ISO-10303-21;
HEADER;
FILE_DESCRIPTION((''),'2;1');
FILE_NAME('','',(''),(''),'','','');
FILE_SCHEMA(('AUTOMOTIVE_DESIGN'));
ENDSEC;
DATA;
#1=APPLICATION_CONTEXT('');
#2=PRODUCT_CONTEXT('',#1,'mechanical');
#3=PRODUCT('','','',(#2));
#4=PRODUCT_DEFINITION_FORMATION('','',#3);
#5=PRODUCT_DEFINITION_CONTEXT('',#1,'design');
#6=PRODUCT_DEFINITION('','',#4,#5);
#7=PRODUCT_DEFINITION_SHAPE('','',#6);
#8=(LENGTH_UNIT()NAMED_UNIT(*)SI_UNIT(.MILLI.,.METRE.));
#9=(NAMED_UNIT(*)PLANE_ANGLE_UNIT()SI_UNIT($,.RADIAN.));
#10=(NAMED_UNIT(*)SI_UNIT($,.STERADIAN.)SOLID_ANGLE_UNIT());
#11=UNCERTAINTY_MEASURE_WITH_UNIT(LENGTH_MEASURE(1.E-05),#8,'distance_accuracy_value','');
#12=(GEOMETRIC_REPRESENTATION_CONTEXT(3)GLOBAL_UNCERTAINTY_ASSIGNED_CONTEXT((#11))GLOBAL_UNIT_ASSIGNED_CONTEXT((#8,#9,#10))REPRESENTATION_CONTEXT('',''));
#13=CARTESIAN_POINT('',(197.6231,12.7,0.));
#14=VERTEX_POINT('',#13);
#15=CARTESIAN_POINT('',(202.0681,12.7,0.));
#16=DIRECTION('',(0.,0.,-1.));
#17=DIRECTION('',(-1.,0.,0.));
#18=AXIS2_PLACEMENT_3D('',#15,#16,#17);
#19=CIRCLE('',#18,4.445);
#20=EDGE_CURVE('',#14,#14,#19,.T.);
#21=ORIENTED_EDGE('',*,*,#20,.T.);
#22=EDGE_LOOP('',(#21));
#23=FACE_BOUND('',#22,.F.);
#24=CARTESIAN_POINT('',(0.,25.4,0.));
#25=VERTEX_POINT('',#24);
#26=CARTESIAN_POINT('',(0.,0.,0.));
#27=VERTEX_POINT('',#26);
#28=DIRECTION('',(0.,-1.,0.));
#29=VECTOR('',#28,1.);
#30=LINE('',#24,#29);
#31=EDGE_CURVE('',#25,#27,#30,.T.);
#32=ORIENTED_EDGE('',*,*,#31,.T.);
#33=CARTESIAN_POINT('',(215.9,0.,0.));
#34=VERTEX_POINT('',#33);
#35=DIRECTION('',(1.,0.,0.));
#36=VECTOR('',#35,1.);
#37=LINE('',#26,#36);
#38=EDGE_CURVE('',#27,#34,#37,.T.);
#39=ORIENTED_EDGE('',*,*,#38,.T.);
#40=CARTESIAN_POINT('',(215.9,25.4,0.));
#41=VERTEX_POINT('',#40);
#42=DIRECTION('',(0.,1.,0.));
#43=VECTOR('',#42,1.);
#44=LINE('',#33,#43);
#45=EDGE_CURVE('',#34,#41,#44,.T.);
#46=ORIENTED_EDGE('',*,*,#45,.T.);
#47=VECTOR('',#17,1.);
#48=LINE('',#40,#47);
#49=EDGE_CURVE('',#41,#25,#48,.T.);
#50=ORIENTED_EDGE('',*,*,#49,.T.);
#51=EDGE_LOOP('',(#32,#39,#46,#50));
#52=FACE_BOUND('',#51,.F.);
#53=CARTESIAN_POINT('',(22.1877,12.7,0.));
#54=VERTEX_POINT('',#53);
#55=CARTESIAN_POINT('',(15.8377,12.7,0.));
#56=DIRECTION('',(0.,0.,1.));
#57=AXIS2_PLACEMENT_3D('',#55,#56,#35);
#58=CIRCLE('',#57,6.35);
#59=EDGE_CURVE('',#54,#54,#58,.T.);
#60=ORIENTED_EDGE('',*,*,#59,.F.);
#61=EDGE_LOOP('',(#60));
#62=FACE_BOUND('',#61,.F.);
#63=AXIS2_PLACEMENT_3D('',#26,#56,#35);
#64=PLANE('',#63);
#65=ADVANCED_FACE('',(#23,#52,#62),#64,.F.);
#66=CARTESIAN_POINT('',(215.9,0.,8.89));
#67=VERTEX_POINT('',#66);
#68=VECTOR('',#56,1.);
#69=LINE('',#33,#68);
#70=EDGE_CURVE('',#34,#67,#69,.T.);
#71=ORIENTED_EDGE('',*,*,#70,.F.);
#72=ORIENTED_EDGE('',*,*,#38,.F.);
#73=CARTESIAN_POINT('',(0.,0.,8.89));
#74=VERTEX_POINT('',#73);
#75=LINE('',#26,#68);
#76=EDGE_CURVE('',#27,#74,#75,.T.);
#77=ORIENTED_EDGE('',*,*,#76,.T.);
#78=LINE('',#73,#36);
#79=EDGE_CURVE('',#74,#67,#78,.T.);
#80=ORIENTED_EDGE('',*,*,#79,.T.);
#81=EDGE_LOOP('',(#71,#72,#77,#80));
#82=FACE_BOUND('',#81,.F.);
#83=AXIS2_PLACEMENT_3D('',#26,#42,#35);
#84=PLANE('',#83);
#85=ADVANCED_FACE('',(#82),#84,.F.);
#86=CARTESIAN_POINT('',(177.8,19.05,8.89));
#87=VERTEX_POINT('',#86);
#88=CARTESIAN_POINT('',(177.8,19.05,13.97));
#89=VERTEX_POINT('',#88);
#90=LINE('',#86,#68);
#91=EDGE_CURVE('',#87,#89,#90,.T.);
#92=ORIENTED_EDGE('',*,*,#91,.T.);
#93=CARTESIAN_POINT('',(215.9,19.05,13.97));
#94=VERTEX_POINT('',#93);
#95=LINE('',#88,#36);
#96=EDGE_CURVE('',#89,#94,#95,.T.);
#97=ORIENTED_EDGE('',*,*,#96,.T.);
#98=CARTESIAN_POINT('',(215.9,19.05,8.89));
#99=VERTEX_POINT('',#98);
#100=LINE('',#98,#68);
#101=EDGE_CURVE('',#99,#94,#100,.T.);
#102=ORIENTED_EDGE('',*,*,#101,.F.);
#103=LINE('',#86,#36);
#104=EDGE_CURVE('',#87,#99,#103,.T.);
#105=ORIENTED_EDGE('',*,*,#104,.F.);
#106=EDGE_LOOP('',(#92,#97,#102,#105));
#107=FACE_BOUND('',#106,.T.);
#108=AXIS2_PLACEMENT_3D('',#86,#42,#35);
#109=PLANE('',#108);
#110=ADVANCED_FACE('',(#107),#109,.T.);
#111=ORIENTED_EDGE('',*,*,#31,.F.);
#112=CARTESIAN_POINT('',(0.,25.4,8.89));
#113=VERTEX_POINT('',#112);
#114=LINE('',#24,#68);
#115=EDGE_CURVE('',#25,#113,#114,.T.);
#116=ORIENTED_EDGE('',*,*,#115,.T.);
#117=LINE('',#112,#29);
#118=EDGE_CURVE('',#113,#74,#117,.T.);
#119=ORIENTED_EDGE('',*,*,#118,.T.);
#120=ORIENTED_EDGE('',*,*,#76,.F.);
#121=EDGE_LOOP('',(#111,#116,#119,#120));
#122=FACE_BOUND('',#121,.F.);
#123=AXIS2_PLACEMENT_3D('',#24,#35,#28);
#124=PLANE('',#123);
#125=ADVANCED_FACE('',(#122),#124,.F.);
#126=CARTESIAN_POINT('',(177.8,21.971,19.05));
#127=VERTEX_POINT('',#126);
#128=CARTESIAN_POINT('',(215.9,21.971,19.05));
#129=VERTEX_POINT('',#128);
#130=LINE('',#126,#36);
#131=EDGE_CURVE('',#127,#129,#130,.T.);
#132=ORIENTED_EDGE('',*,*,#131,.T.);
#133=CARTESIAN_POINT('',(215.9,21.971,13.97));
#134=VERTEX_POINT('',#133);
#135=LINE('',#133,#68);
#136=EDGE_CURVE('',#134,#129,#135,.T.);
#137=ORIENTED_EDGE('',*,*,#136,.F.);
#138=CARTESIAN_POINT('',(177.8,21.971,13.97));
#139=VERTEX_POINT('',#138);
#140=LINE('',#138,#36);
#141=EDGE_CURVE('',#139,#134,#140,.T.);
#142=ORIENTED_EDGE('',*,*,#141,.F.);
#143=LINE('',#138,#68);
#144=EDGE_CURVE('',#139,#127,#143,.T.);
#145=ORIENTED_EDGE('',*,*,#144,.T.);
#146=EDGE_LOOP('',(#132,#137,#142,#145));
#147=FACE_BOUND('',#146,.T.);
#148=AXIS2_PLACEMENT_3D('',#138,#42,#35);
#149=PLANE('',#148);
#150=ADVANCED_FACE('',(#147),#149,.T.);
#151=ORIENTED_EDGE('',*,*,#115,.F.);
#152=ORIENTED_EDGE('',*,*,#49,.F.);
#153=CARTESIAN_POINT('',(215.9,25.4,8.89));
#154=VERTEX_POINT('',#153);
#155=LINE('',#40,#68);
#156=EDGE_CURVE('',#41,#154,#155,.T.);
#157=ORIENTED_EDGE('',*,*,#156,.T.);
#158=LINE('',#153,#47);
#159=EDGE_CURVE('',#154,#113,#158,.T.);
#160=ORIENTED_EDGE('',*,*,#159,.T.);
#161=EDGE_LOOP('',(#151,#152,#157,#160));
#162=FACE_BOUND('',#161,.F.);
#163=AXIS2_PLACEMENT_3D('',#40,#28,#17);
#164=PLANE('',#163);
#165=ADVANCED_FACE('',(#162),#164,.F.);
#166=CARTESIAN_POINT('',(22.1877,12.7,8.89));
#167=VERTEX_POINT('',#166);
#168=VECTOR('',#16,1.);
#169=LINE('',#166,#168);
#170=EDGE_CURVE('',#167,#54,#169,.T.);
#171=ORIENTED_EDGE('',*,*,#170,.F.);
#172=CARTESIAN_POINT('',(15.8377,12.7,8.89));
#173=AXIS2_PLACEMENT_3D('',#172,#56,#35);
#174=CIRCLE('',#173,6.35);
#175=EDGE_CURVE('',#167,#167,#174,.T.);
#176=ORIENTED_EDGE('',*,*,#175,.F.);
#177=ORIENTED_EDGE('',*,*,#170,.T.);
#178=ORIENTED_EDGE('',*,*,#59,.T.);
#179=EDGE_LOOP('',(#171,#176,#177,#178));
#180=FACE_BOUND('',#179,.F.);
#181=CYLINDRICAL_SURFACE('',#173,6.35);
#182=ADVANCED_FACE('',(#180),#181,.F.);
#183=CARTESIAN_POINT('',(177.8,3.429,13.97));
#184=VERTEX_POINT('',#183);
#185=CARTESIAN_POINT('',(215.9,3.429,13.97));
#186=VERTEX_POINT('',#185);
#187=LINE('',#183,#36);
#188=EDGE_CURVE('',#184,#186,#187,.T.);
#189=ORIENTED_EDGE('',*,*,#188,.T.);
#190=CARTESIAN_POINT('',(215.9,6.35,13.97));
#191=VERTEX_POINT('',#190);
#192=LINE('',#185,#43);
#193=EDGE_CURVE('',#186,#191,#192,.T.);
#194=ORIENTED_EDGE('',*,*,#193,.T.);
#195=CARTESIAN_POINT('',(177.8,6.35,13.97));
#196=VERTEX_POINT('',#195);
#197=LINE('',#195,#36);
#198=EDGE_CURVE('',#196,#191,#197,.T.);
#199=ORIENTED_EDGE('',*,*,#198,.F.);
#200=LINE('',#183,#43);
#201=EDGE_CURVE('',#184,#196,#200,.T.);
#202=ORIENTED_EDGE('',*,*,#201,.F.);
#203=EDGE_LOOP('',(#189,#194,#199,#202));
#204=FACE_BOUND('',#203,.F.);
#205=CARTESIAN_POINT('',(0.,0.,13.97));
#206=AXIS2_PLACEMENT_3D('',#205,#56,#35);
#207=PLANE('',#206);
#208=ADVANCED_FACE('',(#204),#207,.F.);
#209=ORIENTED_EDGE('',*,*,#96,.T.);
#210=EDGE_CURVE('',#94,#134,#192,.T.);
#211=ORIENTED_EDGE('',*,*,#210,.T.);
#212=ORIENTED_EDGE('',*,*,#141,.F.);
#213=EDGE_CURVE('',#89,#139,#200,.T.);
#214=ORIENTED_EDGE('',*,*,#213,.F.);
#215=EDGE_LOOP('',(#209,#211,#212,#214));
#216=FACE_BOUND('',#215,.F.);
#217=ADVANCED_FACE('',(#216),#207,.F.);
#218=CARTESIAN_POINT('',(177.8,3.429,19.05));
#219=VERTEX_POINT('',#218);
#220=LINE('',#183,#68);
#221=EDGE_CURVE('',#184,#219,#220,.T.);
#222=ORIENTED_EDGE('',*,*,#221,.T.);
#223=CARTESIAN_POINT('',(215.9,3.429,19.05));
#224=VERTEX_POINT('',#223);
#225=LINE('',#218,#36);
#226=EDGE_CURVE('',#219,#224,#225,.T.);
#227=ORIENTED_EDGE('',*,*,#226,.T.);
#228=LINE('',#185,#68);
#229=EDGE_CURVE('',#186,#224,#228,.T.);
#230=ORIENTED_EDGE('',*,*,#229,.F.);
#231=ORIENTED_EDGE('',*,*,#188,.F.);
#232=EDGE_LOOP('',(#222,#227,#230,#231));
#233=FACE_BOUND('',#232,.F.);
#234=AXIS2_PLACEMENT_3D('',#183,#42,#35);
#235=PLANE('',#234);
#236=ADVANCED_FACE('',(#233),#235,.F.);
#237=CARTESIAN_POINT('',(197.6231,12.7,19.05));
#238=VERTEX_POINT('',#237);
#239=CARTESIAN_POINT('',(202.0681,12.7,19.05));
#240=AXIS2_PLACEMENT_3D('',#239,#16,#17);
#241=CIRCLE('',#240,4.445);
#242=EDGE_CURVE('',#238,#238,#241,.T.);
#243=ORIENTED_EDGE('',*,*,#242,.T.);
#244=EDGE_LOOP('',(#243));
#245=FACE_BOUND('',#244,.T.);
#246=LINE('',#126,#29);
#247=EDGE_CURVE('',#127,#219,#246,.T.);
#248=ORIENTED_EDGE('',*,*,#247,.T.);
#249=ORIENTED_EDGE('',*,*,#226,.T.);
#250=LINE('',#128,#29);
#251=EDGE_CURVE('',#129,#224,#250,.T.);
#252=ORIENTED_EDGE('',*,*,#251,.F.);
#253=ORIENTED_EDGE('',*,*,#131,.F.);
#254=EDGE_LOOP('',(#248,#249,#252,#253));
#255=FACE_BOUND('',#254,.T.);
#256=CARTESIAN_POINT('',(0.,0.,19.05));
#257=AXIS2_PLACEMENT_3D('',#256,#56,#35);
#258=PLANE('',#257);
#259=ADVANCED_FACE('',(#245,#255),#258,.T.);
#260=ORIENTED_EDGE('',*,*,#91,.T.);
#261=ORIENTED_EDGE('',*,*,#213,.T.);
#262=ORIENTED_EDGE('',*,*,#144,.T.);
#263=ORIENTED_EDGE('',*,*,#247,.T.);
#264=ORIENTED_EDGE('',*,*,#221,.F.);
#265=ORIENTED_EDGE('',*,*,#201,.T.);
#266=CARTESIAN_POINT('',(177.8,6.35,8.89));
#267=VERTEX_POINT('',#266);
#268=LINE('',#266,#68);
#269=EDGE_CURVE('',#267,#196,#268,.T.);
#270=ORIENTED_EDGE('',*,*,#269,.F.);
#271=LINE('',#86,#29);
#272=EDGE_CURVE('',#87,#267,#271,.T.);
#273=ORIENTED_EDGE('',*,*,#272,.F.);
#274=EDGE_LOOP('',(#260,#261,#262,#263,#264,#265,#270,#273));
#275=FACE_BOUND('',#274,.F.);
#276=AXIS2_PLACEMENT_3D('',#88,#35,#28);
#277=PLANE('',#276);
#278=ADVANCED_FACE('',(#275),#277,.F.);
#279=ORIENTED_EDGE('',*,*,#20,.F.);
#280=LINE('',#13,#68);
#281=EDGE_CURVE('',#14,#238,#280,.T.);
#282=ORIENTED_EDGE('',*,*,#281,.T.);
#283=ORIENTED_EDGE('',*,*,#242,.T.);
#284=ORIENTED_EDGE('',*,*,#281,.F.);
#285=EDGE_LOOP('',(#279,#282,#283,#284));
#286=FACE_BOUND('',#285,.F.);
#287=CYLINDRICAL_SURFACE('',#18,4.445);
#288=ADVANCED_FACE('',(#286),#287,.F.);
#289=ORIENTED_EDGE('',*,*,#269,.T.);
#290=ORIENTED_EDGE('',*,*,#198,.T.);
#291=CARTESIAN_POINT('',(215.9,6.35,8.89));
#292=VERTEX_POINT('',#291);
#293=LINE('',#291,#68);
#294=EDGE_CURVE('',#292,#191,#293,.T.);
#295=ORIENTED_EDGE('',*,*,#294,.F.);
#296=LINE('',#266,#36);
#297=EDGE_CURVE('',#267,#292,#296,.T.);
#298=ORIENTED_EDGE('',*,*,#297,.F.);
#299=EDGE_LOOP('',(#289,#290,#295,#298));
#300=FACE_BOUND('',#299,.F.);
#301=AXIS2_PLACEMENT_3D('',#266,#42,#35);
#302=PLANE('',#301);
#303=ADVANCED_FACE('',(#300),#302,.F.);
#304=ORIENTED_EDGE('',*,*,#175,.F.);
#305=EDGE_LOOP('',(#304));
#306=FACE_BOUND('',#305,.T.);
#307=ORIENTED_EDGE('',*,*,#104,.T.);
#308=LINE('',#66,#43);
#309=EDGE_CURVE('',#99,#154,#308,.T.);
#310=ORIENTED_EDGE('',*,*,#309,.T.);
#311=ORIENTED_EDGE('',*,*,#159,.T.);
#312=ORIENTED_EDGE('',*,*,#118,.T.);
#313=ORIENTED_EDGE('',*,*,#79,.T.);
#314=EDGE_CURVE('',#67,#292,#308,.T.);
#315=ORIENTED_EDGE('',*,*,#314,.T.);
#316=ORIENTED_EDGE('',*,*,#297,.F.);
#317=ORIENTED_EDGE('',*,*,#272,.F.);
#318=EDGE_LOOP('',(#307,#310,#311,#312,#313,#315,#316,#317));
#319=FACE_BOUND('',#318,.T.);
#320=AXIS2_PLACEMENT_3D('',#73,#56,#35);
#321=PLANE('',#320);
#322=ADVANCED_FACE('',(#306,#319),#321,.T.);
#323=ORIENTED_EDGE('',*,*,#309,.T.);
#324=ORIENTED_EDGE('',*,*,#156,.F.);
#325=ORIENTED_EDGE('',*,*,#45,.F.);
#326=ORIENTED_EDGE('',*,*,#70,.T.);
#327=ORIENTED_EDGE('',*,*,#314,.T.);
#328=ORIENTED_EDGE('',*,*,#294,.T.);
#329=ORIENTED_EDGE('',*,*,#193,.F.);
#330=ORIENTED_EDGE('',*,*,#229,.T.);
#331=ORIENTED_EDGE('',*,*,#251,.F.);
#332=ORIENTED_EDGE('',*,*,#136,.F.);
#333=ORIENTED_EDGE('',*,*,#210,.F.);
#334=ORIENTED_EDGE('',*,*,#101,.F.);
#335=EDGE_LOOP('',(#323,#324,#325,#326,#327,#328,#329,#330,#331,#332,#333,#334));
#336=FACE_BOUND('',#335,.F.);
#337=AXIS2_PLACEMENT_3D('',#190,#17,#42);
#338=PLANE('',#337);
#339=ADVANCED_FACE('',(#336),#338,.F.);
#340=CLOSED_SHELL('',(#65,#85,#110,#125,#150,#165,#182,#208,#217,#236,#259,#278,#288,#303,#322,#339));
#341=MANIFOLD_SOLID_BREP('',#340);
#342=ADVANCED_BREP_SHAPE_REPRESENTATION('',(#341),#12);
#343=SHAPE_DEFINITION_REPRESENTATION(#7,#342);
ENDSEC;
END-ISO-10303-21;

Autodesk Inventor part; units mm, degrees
ref_plane "YZ Plane" through (0, 0, 0) normal (1, 0, 0) x (0, 1, 0)
ref_plane "XZ Plane" through (0, 0, 0) normal (0, 1, 0) x (-1, 0, 0)
ref_plane "XY Plane" through (0, 0, 0) normal (0, 0, 1) x (1, 0, 0)
sketch "Sketch1" plane through (0, 0, 0) normal (0, 0, 1) x (1, 0, 0)
  line L0 (0, 0) -> (215.9, 0)
  line L1 (215.9, 0) -> (215.9, 25.4)
  line L2 (215.9, 25.4) -> (0, 25.4)
  line L3 (0, 25.4) -> (0, 0)
  dimension "d0" = 215.9
  dimension "d1" = 25.4
extrude "Extrusion1" add sketch "Sketch1" along normal blind 8.89
sketch "Sketch2" plane through (0, 0, 8.89) normal (0, 0, 1) x (1, 0, 0)
  line L0 (0, 0) -> (215.9, 0) projected
  line L1 (215.9, 0) -> (215.9, 25.4) projected
  line L2 (215.9, 25.4) -> (177.8, 25.4)
  line L3 (177.8, 25.4) -> (177.8, 0)
  line L4 (177.8, 0) -> (215.9, 0)
  line L5 (215.9, 0) -> (215.9, 25.4)
  line L6 (215.9, 25.4) -> (177.8, 25.4)
  line L7 (177.8, 25.4) -> (177.8, 12.7)
  line L8 (177.8, 12.7) -> (215.9, 12.7)
  line L9 (215.9, 12.7) -> (215.9, 25.4)
  line L10 (215.9, 25.4) -> (177.8, 25.4)
  line L11 (177.8, 25.4) -> (177.8, 19.05)
  line L12 (177.8, 19.05) -> (215.9, 19.05)
  line L13 (215.9, 19.05) -> (215.9, 25.4)
  line L14 (215.9, 0) -> (177.8, 0)
  line L15 (177.8, 0) -> (177.8, 6.35)
  line L16 (177.8, 6.35) -> (215.9, 6.35)
  line L17 (215.9, 6.35) -> (215.9, 0)
  dimension "d4" = 6.35
  dimension "d5" = 38.1
extrude "Extrusion2" add sketch "Sketch2" along normal blind 5.08 contours L3 L8 L1 L16 | L3 L12 L1 L8
sketch "Sketch3" plane through (0, 0, 13.97) normal (0, 0, 1) x (1, 0, 0)
  line L0 (215.9, 19.05) -> (177.8, 19.05) projected
  line L1 (177.8, 19.05) -> (177.8, 6.35) projected
  line L2 (177.8, 6.35) -> (215.9, 6.35)
  line L3 (215.9, 6.35) -> (215.9, 19.05)
  line L4 (215.9, 19.05) -> (177.8, 19.05)
  line L5 (177.8, 19.05) -> (177.8, 6.35)
  line L6 (215.9, 19.05) -> (177.8, 19.05)
  line L7 (177.8, 19.05) -> (177.8, 21.971)
  line L8 (177.8, 21.971) -> (215.9, 21.971)
  line L9 (215.9, 21.971) -> (215.9, 19.05)
  line L10 (215.9, 6.35) -> (177.8, 6.35)
  line L11 (177.8, 6.35) -> (177.8, 3.429)
  line L12 (177.8, 3.429) -> (215.9, 3.429)
  line L13 (215.9, 3.429) -> (215.9, 6.35)
  point P0 (0, 0)
  dimension "d8" = 2.921
  dimension "d9" = 2.921
extrude "Extrusion3" add sketch "Sketch3" along normal blind 5.08
sketch "Sketch4" plane through (0, 0, 0) normal (0, 0, -1) x (-1, 0, 0)
  circle A0 centre (-202.0681, 12.7) radius 4.445
  dimension "d12" = 8.89
extrude "Extrusion4" cut sketch "Sketch4" against normal blind 127
sketch "Sketch5" plane through (0, 0, 8.89) normal (0, 0, 1) x (1, 0, 0)
  circle A0 centre (15.8377, 12.7) radius 6.35
  dimension "d17" = 12.7
extrude "Extrusion5" cut sketch "Sketch5" against normal blind 25.4
properties part number "Piece One-Diagonal Piece" material "Steel"
